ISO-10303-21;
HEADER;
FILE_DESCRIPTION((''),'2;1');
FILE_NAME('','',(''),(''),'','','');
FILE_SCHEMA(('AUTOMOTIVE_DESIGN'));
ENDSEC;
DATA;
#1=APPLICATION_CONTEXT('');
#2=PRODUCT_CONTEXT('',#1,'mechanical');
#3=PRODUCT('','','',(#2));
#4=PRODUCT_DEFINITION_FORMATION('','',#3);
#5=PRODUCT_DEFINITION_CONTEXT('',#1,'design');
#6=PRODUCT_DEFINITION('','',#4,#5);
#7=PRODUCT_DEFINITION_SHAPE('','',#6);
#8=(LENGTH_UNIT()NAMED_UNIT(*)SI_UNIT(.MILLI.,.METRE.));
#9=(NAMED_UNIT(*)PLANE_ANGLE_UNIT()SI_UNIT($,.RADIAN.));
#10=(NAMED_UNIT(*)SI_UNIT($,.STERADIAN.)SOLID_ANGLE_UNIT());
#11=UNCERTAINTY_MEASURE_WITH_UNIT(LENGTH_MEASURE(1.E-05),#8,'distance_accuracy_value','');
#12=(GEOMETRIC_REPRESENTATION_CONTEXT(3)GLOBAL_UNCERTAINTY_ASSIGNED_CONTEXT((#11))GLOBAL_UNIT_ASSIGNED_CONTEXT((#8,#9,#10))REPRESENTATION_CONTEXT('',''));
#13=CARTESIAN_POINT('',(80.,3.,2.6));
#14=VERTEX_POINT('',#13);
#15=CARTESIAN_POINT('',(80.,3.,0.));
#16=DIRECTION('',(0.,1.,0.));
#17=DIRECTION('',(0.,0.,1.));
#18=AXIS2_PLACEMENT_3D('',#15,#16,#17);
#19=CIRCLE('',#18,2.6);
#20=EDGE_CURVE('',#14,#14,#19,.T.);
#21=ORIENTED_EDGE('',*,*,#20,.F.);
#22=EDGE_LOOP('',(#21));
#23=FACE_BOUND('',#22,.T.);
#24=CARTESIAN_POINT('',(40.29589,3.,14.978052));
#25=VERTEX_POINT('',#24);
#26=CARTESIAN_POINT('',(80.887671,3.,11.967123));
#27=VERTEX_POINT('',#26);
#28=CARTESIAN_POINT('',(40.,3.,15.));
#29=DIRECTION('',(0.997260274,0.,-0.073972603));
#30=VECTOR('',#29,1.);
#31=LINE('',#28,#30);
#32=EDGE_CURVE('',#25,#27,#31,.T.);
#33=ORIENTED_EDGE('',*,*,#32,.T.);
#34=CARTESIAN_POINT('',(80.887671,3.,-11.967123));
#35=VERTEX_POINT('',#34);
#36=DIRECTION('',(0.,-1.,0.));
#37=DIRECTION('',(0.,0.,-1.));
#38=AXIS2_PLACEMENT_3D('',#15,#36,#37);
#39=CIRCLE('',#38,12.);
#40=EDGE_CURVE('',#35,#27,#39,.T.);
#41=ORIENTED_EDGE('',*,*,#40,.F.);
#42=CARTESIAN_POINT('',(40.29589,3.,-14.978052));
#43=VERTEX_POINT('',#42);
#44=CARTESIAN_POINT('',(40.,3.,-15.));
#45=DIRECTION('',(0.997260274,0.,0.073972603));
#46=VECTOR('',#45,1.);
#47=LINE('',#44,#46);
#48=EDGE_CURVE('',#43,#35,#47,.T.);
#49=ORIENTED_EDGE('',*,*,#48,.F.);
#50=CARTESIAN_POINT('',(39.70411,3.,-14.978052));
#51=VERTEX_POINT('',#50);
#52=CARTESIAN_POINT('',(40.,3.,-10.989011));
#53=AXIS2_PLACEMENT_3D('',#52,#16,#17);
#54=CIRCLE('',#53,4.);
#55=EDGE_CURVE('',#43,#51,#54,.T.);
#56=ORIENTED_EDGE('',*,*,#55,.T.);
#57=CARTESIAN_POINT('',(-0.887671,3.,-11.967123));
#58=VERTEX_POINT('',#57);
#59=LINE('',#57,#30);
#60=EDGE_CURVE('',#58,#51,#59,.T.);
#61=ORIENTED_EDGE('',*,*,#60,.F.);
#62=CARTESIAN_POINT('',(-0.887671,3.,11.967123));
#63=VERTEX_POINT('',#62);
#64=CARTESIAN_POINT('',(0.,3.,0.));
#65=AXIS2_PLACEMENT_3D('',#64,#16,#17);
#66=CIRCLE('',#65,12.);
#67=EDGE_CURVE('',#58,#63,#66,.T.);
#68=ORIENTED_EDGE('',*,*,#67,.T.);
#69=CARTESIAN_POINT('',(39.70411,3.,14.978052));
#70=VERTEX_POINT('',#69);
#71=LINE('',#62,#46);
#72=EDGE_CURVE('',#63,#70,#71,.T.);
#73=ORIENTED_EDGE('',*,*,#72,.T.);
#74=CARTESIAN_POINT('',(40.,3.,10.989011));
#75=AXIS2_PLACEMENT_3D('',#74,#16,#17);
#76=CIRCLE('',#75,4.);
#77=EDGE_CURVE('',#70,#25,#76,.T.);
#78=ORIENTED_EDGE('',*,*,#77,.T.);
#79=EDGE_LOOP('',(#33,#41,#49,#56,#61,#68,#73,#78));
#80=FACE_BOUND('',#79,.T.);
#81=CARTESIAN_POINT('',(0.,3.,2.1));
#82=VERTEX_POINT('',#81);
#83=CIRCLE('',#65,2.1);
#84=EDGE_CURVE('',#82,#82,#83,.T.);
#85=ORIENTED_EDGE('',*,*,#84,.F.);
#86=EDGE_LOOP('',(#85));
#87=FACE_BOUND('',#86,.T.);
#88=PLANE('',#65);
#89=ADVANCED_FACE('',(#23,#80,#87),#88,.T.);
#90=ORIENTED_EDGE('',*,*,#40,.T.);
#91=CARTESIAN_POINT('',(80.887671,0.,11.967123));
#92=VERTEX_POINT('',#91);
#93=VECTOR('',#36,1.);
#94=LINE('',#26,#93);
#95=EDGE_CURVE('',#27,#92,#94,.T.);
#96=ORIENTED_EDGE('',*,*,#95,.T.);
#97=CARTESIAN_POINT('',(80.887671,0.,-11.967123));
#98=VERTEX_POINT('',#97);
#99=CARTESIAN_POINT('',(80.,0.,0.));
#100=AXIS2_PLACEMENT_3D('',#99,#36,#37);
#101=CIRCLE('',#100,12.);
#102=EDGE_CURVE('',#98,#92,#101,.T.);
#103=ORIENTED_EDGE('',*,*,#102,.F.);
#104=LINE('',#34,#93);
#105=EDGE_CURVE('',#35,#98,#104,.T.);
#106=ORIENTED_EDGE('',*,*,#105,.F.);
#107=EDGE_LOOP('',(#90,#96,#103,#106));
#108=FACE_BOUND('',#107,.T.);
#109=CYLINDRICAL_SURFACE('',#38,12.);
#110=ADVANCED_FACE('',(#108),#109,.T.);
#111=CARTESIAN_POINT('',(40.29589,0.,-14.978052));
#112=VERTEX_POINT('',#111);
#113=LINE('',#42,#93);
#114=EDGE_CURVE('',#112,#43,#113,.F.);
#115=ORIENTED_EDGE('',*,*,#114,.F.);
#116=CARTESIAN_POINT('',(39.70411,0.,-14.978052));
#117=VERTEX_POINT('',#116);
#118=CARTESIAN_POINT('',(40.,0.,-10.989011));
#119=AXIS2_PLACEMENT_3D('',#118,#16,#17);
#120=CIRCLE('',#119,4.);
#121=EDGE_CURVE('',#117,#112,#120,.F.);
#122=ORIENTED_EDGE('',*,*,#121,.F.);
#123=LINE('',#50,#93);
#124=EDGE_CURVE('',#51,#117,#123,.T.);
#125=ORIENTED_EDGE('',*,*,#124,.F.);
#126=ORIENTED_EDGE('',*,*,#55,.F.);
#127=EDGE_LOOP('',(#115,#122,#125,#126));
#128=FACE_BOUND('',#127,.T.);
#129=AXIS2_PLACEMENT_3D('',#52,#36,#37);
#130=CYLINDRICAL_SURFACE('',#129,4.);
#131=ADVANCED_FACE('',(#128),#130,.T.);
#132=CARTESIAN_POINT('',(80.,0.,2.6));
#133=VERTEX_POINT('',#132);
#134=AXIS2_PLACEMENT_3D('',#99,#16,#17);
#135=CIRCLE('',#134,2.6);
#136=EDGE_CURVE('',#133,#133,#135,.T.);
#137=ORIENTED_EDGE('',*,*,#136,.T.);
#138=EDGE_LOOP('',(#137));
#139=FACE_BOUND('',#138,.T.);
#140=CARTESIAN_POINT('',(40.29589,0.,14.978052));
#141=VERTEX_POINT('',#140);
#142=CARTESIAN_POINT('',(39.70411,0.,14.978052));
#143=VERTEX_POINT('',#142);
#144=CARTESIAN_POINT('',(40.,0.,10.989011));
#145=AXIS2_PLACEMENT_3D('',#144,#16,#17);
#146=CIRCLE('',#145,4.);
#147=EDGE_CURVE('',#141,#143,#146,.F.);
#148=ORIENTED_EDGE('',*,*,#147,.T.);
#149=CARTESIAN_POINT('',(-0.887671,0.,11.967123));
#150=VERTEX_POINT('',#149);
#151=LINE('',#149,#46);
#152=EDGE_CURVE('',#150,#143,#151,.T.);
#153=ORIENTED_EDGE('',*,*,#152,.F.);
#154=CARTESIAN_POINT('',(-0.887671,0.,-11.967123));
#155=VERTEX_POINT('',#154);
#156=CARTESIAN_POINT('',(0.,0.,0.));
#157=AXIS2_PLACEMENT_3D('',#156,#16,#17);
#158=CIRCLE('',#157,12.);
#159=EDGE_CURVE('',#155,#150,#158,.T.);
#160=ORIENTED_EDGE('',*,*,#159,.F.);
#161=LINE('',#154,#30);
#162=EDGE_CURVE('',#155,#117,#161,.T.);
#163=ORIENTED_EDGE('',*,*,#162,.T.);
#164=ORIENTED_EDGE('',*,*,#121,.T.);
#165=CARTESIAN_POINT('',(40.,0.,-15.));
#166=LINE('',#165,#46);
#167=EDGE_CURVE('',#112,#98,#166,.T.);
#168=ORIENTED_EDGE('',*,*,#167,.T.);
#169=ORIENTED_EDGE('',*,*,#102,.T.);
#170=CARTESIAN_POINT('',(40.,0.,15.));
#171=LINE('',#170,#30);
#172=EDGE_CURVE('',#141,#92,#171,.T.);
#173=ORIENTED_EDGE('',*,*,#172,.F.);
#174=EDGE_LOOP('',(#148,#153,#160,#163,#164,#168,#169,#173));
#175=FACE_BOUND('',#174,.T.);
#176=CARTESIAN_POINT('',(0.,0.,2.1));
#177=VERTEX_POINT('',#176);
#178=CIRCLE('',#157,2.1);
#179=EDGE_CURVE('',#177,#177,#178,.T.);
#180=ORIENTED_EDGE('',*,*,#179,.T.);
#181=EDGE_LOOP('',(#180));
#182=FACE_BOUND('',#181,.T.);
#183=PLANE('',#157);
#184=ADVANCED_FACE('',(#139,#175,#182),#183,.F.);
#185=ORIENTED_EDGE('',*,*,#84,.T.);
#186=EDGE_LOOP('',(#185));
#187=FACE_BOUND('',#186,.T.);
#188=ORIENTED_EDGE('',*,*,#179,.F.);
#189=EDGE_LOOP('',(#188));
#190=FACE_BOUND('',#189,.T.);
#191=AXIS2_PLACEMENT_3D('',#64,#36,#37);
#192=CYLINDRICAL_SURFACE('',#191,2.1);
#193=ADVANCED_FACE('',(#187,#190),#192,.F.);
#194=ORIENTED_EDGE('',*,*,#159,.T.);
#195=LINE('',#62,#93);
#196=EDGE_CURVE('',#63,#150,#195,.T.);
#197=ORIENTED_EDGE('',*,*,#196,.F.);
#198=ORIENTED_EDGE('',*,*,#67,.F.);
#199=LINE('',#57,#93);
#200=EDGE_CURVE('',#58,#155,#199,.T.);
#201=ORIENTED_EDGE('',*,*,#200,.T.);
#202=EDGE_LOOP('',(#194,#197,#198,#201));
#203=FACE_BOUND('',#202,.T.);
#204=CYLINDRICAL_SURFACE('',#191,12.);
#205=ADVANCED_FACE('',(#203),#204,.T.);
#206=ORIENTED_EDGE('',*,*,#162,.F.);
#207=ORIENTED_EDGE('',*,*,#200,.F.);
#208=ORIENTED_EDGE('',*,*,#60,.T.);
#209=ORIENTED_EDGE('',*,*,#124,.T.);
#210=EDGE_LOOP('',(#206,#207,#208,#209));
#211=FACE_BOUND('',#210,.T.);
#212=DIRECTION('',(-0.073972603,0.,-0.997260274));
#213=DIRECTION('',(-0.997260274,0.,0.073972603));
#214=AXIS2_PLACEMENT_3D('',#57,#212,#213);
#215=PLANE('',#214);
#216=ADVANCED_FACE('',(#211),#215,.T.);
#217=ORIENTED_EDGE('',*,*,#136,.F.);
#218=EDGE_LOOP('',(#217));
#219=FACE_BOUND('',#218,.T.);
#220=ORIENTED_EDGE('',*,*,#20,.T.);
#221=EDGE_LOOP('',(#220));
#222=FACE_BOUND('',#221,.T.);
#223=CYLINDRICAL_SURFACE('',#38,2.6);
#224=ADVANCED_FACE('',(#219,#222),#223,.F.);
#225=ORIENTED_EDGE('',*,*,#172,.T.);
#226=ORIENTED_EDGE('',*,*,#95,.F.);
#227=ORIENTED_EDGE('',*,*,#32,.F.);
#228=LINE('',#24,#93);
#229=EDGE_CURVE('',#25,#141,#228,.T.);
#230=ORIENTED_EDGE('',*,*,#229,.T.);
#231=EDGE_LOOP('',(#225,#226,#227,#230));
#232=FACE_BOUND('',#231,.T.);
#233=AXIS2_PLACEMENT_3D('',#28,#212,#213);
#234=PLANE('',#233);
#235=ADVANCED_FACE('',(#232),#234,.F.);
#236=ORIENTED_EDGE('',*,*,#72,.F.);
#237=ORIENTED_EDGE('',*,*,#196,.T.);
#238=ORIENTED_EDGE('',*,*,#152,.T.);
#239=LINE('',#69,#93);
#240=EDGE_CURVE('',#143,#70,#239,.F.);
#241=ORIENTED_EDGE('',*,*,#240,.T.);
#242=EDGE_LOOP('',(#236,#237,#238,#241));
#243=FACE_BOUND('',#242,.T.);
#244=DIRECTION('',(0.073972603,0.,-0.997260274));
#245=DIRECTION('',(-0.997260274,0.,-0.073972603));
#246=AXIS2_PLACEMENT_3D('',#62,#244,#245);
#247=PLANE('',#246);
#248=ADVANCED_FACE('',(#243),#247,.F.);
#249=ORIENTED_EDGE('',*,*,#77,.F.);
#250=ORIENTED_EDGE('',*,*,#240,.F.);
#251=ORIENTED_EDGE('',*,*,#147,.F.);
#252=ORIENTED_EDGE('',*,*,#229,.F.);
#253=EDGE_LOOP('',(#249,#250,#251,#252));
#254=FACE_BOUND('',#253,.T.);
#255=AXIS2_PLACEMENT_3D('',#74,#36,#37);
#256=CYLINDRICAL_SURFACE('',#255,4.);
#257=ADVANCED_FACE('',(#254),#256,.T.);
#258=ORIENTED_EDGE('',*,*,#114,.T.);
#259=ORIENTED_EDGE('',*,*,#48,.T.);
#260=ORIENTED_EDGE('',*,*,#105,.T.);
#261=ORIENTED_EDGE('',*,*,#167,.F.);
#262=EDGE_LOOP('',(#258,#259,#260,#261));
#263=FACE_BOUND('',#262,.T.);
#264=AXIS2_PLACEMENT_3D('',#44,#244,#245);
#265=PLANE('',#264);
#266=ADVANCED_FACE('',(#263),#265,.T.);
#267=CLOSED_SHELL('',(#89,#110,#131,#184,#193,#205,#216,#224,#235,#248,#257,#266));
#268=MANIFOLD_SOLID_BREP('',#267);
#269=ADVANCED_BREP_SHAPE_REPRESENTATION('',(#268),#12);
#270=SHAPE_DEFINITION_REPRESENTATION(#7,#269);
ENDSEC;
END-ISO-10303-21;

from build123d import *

# Parameters (mm, degrees)
SKETCH_1_R      = 2.1
SKETCH_1_R_2    = 2.6
EXTRUDE_1_DEPTH = 3
FILLET_1_R      = 4


with BuildPart() as part:
    # 草图1 → 凸台-拉伸1 (new body)
    with BuildSketch(Plane(origin=(0, 0, 0), x_dir=(1, 0, 0), z_dir=(0, 1, 0))):
        with BuildLine():
            Line((40, 15), (80.887671233, 11.967123288))
            ThreePointArc((80.887671233, 11.967123288), (92, 0), (80.887671233, -11.967123288))
            Line((80.887671233, -11.967123288), (40, -15))
            Line((40, -15), (-0.887671233, -11.967123288))
            ThreePointArc((-0.887671233, -11.967123288), (-12, 0), (-0.887671233, 11.967123288))
            Line((-0.887671233, 11.967123288), (40, 15))
        make_face()
        with Locations(Location((0, 0, 0), (0, 0, 270))):
            Circle(SKETCH_1_R, mode=Mode.SUBTRACT)
        with Locations(Location((80, 0, 0), (0, 0, 270))):
            Circle(SKETCH_1_R_2, mode=Mode.SUBTRACT)
    extrude(amount=EXTRUDE_1_DEPTH)

    # 圆角1
    fillet_1_edges = [part.edges().sort_by_distance(p)[0] for p in [
        (40, 1.5, -15),
        (40, 1.5, 15),
    ]]
    fillet(fillet_1_edges, radius=FILLET_1_R)


solid = part.part
